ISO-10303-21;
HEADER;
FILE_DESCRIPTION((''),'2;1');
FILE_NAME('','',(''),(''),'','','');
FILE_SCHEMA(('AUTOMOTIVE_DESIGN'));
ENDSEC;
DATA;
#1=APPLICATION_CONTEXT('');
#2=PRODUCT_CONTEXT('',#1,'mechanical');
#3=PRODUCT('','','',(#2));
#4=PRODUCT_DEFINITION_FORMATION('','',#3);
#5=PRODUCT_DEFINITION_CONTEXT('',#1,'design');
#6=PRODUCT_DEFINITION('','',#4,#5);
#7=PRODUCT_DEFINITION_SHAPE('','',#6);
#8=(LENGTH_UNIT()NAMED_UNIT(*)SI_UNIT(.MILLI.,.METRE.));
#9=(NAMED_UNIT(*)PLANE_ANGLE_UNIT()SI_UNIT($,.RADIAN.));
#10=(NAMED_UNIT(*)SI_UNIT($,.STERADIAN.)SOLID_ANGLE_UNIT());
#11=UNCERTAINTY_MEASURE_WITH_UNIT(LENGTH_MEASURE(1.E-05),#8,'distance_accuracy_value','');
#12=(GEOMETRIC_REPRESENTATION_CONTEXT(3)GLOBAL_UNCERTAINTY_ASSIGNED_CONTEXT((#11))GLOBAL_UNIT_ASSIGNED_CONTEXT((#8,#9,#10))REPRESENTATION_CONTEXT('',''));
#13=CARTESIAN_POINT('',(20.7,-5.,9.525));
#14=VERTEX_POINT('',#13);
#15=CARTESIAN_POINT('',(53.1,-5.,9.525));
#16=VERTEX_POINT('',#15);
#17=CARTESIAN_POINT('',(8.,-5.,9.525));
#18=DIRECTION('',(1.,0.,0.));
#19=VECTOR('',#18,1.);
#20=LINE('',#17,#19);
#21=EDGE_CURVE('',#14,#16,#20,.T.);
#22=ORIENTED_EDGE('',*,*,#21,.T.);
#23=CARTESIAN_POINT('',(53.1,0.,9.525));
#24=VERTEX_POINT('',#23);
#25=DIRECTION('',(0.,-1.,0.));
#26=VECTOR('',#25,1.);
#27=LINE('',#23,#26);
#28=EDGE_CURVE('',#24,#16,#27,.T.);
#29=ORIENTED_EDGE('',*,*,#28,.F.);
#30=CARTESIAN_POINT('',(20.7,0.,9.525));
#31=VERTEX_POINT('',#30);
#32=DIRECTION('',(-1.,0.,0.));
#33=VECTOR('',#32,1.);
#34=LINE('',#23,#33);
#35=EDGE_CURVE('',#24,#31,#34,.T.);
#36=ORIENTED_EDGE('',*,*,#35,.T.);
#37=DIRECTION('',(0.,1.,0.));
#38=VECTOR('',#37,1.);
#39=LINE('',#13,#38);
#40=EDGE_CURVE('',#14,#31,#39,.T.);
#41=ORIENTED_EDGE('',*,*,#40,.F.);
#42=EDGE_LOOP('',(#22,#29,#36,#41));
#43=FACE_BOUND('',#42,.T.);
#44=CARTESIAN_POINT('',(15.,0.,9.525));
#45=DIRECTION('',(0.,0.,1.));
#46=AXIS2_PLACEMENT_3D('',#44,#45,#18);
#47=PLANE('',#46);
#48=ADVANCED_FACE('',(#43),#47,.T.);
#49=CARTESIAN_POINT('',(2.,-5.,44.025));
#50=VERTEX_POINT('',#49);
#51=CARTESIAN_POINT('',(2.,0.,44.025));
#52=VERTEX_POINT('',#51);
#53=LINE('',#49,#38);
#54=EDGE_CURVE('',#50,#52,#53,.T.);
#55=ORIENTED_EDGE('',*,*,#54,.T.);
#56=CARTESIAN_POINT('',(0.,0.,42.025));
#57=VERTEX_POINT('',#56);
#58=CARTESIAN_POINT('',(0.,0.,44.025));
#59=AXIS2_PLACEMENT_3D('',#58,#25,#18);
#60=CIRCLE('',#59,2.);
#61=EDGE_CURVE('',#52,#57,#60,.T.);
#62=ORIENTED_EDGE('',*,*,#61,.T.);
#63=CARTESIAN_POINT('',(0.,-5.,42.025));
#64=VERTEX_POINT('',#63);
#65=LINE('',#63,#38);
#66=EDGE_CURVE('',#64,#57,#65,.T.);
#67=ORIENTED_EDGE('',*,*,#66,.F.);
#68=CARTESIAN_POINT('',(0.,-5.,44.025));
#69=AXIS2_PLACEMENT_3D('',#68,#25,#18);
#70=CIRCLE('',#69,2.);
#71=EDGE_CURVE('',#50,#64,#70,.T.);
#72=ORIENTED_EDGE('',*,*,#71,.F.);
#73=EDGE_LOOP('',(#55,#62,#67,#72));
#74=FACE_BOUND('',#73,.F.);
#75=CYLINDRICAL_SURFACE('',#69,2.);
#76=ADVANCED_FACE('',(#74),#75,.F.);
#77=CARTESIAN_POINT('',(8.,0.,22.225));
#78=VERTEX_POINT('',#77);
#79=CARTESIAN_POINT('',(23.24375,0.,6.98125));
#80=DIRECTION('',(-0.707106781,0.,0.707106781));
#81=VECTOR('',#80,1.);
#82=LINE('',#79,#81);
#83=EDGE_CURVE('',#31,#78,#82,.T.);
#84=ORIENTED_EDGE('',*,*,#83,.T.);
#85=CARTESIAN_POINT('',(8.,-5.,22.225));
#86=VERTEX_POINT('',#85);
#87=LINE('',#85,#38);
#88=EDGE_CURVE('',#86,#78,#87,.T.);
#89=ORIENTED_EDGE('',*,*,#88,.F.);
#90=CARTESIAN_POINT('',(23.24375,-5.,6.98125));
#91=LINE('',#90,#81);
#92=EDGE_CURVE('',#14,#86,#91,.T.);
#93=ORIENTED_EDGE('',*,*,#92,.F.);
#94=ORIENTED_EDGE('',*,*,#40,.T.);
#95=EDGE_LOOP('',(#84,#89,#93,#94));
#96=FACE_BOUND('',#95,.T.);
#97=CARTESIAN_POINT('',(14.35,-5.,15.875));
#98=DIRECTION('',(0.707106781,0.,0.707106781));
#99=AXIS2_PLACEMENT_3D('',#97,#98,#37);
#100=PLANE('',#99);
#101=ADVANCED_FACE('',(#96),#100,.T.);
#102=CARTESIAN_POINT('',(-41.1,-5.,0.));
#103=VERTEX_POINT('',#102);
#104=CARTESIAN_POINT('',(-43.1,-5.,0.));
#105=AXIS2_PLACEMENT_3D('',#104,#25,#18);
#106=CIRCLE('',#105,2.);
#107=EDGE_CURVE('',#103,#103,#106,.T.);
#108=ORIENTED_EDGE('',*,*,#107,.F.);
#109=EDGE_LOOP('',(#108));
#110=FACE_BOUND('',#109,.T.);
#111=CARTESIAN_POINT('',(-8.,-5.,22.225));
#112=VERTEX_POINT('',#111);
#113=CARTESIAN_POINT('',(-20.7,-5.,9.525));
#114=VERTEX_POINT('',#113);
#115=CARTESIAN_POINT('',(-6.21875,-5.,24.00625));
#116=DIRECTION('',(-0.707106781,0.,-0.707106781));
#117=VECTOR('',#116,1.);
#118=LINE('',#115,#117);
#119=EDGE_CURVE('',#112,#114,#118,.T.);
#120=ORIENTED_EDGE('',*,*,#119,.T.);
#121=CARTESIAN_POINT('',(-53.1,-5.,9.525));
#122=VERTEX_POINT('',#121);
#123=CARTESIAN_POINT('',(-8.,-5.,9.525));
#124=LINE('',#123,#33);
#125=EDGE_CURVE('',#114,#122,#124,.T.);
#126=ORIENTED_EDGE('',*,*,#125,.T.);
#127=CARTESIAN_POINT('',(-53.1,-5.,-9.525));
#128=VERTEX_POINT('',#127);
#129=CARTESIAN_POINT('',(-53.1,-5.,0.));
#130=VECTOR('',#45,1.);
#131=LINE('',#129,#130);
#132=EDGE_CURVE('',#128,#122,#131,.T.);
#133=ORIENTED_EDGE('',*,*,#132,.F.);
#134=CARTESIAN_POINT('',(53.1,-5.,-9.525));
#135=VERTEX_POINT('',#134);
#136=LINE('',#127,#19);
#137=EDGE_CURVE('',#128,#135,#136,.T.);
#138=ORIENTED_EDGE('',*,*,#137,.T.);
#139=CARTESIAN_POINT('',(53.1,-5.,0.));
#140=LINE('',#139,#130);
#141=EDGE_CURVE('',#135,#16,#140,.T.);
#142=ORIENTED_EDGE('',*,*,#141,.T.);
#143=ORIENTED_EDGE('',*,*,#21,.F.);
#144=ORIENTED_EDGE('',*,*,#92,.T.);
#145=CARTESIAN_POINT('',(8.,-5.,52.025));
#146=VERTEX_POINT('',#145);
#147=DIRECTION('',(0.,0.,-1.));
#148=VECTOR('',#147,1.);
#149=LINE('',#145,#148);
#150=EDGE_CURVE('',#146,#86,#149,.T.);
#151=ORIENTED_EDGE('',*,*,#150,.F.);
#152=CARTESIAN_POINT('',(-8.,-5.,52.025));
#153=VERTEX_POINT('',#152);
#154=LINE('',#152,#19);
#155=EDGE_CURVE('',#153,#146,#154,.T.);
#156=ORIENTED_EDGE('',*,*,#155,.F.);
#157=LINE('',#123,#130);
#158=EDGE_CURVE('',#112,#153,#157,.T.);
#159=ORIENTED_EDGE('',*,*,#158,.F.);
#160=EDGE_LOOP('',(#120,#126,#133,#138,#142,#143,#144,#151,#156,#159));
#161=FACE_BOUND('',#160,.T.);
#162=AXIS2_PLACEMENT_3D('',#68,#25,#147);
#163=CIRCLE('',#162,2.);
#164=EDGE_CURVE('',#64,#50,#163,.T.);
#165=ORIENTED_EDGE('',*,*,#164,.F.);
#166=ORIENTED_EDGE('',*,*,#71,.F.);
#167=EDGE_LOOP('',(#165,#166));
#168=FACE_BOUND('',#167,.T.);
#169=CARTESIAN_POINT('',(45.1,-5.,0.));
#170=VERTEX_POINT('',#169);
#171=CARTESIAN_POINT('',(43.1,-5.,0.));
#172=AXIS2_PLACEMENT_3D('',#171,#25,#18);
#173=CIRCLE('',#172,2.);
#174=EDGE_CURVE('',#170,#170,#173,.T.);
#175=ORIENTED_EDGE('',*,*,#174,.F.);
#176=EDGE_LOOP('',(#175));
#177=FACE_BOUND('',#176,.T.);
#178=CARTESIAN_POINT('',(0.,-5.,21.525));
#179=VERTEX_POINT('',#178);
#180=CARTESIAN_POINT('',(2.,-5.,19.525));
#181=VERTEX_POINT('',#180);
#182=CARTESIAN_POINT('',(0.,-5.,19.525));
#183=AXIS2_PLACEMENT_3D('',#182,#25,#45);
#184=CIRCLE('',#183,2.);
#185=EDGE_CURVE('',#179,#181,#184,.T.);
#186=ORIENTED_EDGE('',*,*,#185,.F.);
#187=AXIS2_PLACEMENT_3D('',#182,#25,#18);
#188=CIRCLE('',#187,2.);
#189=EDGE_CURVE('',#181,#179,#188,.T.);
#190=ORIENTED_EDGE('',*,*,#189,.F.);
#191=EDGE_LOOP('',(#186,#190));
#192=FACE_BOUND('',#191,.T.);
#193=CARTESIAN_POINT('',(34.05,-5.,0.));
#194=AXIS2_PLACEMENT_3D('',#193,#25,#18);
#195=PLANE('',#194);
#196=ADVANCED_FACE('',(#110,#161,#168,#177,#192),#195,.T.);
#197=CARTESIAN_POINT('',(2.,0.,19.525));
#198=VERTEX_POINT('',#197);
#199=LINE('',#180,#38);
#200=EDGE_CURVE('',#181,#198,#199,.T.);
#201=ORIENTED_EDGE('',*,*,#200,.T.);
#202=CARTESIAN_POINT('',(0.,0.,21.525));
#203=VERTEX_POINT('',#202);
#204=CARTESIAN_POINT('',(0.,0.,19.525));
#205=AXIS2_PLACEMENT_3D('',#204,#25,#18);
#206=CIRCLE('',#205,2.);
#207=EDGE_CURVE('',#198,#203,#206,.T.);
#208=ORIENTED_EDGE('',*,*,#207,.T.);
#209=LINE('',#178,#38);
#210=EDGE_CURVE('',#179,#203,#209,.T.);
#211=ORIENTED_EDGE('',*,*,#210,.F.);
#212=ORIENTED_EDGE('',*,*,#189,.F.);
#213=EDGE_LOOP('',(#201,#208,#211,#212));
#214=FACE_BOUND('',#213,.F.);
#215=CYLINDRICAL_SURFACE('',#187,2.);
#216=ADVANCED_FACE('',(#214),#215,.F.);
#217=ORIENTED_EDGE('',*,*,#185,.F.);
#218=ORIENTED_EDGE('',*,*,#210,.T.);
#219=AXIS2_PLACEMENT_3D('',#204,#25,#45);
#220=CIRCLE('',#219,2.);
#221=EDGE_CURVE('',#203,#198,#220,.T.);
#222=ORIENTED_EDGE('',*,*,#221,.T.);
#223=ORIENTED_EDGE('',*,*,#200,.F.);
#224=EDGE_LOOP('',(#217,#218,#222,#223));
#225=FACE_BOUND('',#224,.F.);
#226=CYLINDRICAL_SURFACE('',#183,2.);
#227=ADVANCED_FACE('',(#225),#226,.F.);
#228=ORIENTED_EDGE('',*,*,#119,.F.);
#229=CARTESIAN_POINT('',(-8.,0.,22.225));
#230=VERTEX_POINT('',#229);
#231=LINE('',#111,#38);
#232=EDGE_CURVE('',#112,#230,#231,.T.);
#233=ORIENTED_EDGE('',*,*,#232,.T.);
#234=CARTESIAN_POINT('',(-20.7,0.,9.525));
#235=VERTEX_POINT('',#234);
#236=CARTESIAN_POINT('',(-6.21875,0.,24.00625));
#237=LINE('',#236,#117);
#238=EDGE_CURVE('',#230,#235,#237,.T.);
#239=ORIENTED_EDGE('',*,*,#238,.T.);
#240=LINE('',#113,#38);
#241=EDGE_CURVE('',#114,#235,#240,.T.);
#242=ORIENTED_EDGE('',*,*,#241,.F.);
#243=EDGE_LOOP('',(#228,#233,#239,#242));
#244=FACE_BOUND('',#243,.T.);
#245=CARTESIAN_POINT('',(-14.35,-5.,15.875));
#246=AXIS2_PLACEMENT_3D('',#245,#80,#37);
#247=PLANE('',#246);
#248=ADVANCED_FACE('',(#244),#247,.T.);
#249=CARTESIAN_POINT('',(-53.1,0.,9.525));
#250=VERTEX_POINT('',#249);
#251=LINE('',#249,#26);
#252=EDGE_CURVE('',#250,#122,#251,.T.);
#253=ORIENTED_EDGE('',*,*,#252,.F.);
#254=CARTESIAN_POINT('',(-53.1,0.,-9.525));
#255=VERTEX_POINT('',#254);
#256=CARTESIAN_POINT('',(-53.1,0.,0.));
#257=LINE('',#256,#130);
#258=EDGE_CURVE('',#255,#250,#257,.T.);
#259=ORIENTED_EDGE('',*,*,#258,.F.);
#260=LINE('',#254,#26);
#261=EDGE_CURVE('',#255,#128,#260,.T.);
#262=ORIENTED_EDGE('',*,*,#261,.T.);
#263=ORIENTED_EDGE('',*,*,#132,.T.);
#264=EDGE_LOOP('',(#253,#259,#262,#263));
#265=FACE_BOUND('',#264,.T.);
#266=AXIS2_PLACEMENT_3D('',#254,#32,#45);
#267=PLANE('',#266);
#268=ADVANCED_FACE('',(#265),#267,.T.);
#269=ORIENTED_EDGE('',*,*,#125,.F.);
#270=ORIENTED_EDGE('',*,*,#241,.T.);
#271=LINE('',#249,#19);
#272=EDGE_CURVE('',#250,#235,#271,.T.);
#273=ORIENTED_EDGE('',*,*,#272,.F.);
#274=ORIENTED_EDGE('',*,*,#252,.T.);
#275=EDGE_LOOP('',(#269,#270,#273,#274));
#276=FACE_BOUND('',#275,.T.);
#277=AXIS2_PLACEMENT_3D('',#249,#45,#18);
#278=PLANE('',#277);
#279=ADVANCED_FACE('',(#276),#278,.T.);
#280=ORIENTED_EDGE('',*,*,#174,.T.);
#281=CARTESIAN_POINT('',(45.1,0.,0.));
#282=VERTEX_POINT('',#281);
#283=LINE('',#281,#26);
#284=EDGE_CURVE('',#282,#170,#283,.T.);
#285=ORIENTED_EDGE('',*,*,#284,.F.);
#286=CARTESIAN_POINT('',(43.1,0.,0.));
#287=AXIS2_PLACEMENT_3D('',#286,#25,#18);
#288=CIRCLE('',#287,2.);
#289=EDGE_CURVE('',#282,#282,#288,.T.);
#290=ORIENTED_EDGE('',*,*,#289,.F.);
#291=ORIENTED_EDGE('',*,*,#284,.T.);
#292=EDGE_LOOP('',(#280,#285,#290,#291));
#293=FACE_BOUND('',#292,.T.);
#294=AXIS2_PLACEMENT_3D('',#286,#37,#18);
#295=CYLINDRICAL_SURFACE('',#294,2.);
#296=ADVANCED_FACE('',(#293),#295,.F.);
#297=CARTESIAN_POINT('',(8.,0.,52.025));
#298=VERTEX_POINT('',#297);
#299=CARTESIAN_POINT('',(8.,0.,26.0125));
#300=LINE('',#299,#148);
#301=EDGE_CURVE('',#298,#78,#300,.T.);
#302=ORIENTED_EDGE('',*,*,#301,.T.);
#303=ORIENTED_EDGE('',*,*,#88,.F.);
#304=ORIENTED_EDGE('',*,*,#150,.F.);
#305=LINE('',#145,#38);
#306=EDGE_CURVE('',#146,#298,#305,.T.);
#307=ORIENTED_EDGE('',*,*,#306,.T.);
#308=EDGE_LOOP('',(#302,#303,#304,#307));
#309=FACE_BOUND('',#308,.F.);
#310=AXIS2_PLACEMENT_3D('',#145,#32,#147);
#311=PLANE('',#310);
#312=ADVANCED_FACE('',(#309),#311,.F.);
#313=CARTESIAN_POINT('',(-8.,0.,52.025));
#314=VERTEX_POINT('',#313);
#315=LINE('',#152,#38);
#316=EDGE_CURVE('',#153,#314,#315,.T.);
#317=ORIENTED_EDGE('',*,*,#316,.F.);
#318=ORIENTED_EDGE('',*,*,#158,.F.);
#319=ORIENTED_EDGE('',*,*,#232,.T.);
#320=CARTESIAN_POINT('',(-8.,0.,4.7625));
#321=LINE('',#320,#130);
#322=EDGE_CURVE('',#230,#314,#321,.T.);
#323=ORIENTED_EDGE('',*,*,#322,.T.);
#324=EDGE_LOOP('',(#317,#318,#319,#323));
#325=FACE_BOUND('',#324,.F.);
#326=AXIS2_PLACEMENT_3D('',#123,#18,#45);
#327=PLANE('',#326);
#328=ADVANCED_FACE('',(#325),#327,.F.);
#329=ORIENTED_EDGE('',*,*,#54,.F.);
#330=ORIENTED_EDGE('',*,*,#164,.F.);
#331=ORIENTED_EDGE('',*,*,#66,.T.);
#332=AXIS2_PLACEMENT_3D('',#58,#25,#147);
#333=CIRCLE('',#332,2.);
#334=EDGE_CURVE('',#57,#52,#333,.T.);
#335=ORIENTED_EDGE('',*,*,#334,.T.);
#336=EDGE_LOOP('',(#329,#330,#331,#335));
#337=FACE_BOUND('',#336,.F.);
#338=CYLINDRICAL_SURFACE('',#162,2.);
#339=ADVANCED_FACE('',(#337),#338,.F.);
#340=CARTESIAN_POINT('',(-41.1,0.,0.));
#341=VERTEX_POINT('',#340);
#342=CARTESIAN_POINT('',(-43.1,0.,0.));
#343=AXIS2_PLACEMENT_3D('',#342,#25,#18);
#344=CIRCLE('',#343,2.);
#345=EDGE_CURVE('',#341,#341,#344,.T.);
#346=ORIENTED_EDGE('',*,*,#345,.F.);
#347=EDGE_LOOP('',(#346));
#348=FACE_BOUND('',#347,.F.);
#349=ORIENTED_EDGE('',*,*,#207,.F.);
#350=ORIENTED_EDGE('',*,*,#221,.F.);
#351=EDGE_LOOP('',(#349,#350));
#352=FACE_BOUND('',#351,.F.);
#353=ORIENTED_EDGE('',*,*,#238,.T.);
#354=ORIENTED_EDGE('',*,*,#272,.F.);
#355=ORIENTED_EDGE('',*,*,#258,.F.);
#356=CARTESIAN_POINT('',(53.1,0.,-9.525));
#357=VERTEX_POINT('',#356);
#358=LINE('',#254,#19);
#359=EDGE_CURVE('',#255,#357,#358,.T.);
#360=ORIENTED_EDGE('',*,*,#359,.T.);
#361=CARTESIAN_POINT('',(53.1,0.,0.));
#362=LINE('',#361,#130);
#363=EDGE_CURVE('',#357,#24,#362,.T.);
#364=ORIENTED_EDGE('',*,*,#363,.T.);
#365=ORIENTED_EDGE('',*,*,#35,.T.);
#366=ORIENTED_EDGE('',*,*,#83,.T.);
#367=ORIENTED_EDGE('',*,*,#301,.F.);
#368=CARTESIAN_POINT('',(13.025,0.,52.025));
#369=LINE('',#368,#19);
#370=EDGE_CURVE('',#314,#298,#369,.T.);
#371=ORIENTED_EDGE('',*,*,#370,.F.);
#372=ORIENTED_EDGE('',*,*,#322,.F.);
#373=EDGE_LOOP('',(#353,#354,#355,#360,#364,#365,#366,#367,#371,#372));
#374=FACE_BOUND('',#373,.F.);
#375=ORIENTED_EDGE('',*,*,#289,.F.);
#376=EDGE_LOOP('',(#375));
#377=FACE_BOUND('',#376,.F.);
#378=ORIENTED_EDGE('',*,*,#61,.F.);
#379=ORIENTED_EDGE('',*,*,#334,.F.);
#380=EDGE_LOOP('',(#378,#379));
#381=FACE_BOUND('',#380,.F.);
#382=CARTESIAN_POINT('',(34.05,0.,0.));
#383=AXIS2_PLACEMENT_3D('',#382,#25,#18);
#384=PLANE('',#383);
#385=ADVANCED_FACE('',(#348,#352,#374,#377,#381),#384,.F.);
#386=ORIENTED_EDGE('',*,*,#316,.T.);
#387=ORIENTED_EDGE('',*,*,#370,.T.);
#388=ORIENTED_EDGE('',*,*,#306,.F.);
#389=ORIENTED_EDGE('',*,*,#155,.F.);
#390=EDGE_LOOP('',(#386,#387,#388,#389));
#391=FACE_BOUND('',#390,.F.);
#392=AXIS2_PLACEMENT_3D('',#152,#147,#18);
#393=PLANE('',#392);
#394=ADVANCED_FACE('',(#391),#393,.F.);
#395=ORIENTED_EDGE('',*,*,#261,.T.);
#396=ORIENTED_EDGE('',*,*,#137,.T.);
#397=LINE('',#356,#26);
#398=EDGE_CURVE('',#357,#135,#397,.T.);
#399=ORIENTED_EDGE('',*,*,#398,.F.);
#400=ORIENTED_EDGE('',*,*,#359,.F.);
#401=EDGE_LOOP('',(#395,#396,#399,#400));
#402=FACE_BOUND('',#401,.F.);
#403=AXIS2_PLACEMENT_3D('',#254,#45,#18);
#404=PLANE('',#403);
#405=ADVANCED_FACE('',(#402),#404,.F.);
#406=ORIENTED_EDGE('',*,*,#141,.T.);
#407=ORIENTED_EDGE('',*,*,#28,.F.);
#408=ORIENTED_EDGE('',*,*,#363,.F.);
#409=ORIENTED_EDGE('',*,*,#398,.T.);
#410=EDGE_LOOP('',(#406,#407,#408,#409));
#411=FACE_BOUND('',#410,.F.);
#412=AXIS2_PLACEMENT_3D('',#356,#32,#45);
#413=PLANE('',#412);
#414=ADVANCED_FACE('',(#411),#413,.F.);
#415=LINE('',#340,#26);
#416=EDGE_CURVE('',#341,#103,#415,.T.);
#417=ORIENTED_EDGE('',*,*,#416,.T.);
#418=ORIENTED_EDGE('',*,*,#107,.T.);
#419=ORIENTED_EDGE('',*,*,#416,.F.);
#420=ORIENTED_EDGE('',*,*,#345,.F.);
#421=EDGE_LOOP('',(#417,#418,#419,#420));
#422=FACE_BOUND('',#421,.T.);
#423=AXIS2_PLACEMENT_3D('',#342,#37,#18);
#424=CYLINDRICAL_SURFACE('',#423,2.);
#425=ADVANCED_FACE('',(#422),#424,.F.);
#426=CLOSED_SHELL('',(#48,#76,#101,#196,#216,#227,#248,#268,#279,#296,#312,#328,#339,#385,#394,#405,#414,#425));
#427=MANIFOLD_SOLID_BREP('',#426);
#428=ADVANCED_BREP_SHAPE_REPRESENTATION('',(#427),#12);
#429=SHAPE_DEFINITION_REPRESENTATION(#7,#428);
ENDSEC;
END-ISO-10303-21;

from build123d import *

# Parameters (mm, degrees)
F0_W     = 38.1
F0_H     = 19.05
F0_R     = 2
F0_W_2   = 30
F0_H_2   = 53.175
F1_DEPTH = 5
F2_SIZE  = 19.05
F4_DEPTH = 5.001
F5_DEPTH = 25.4
F6_SIZE  = 12.7


with BuildPart() as f1:
    # F0 (on Front) → F1 (new body)
    with BuildSketch(Plane.XZ):
        with Locations((34.05, 0)):
            Rectangle(F0_W, F0_H)
        with Locations((43.1, 0)):
            Circle(F0_R, mode=Mode.SUBTRACT)
        with Locations((0, 36.1125)):
            Rectangle(F0_W_2, F0_H_2)
        with Locations((-34.05, 0)):
            Rectangle(F0_W, F0_H)
        with Locations((-43.1, 0)):
            Circle(F0_R, mode=Mode.SUBTRACT)
        Rectangle(F0_W_2, F0_H)
    extrude(amount=F1_DEPTH)

    # F2
    f2_edges = [f1.edges().sort_by_distance(p)[0] for p in [
        (15, -2.5, 9.525),
        (-15, -2.5, 9.525),
    ]]
    chamfer(f2_edges, length=F2_SIZE)

    # F3 (on face) → F4 (cut, through all)
    with BuildSketch(Plane.XZ.offset(5)):
        Polygon((-8, 52.025), (8, 52.025), (8, 11.525), (8, 9.525), (34.05, 9.525), (15, 28.575), (15, 62.7), (-15, 62.7), (-15, 28.575), (-34.05, 9.525), (-8, 9.525), (-8, 11.525), align=None)
    extrude(amount=-F4_DEPTH, mode=Mode.SUBTRACT)

    # F3 (on face) → F5 (cut)
    with BuildSketch(Plane.XZ.offset(5)):
        with BuildLine():
            ThreePointArc((0, 42.025), (1.4142135624, 42.6107864376), (2, 44.025))
            ThreePointArc((2, 44.025), (-1.4142135624, 45.4392135624), (0, 42.025))
        make_face()
        with BuildLine():
            ThreePointArc((2, 19.525), (1.4142135624, 20.9392135624), (0, 21.525))
            ThreePointArc((0, 21.525), (-1.4142135624, 18.1107864376), (2, 19.525))
        make_face()
    extrude(amount=-F5_DEPTH, mode=Mode.SUBTRACT)

    # F6
    f6_edges = [f1.edges().sort_by_distance(p)[0] for p in [
        (8, -2.5, 9.525),
        (-8, -2.5, 9.525),
    ]]
    chamfer(f6_edges, length=F6_SIZE)


solid = f1.part
